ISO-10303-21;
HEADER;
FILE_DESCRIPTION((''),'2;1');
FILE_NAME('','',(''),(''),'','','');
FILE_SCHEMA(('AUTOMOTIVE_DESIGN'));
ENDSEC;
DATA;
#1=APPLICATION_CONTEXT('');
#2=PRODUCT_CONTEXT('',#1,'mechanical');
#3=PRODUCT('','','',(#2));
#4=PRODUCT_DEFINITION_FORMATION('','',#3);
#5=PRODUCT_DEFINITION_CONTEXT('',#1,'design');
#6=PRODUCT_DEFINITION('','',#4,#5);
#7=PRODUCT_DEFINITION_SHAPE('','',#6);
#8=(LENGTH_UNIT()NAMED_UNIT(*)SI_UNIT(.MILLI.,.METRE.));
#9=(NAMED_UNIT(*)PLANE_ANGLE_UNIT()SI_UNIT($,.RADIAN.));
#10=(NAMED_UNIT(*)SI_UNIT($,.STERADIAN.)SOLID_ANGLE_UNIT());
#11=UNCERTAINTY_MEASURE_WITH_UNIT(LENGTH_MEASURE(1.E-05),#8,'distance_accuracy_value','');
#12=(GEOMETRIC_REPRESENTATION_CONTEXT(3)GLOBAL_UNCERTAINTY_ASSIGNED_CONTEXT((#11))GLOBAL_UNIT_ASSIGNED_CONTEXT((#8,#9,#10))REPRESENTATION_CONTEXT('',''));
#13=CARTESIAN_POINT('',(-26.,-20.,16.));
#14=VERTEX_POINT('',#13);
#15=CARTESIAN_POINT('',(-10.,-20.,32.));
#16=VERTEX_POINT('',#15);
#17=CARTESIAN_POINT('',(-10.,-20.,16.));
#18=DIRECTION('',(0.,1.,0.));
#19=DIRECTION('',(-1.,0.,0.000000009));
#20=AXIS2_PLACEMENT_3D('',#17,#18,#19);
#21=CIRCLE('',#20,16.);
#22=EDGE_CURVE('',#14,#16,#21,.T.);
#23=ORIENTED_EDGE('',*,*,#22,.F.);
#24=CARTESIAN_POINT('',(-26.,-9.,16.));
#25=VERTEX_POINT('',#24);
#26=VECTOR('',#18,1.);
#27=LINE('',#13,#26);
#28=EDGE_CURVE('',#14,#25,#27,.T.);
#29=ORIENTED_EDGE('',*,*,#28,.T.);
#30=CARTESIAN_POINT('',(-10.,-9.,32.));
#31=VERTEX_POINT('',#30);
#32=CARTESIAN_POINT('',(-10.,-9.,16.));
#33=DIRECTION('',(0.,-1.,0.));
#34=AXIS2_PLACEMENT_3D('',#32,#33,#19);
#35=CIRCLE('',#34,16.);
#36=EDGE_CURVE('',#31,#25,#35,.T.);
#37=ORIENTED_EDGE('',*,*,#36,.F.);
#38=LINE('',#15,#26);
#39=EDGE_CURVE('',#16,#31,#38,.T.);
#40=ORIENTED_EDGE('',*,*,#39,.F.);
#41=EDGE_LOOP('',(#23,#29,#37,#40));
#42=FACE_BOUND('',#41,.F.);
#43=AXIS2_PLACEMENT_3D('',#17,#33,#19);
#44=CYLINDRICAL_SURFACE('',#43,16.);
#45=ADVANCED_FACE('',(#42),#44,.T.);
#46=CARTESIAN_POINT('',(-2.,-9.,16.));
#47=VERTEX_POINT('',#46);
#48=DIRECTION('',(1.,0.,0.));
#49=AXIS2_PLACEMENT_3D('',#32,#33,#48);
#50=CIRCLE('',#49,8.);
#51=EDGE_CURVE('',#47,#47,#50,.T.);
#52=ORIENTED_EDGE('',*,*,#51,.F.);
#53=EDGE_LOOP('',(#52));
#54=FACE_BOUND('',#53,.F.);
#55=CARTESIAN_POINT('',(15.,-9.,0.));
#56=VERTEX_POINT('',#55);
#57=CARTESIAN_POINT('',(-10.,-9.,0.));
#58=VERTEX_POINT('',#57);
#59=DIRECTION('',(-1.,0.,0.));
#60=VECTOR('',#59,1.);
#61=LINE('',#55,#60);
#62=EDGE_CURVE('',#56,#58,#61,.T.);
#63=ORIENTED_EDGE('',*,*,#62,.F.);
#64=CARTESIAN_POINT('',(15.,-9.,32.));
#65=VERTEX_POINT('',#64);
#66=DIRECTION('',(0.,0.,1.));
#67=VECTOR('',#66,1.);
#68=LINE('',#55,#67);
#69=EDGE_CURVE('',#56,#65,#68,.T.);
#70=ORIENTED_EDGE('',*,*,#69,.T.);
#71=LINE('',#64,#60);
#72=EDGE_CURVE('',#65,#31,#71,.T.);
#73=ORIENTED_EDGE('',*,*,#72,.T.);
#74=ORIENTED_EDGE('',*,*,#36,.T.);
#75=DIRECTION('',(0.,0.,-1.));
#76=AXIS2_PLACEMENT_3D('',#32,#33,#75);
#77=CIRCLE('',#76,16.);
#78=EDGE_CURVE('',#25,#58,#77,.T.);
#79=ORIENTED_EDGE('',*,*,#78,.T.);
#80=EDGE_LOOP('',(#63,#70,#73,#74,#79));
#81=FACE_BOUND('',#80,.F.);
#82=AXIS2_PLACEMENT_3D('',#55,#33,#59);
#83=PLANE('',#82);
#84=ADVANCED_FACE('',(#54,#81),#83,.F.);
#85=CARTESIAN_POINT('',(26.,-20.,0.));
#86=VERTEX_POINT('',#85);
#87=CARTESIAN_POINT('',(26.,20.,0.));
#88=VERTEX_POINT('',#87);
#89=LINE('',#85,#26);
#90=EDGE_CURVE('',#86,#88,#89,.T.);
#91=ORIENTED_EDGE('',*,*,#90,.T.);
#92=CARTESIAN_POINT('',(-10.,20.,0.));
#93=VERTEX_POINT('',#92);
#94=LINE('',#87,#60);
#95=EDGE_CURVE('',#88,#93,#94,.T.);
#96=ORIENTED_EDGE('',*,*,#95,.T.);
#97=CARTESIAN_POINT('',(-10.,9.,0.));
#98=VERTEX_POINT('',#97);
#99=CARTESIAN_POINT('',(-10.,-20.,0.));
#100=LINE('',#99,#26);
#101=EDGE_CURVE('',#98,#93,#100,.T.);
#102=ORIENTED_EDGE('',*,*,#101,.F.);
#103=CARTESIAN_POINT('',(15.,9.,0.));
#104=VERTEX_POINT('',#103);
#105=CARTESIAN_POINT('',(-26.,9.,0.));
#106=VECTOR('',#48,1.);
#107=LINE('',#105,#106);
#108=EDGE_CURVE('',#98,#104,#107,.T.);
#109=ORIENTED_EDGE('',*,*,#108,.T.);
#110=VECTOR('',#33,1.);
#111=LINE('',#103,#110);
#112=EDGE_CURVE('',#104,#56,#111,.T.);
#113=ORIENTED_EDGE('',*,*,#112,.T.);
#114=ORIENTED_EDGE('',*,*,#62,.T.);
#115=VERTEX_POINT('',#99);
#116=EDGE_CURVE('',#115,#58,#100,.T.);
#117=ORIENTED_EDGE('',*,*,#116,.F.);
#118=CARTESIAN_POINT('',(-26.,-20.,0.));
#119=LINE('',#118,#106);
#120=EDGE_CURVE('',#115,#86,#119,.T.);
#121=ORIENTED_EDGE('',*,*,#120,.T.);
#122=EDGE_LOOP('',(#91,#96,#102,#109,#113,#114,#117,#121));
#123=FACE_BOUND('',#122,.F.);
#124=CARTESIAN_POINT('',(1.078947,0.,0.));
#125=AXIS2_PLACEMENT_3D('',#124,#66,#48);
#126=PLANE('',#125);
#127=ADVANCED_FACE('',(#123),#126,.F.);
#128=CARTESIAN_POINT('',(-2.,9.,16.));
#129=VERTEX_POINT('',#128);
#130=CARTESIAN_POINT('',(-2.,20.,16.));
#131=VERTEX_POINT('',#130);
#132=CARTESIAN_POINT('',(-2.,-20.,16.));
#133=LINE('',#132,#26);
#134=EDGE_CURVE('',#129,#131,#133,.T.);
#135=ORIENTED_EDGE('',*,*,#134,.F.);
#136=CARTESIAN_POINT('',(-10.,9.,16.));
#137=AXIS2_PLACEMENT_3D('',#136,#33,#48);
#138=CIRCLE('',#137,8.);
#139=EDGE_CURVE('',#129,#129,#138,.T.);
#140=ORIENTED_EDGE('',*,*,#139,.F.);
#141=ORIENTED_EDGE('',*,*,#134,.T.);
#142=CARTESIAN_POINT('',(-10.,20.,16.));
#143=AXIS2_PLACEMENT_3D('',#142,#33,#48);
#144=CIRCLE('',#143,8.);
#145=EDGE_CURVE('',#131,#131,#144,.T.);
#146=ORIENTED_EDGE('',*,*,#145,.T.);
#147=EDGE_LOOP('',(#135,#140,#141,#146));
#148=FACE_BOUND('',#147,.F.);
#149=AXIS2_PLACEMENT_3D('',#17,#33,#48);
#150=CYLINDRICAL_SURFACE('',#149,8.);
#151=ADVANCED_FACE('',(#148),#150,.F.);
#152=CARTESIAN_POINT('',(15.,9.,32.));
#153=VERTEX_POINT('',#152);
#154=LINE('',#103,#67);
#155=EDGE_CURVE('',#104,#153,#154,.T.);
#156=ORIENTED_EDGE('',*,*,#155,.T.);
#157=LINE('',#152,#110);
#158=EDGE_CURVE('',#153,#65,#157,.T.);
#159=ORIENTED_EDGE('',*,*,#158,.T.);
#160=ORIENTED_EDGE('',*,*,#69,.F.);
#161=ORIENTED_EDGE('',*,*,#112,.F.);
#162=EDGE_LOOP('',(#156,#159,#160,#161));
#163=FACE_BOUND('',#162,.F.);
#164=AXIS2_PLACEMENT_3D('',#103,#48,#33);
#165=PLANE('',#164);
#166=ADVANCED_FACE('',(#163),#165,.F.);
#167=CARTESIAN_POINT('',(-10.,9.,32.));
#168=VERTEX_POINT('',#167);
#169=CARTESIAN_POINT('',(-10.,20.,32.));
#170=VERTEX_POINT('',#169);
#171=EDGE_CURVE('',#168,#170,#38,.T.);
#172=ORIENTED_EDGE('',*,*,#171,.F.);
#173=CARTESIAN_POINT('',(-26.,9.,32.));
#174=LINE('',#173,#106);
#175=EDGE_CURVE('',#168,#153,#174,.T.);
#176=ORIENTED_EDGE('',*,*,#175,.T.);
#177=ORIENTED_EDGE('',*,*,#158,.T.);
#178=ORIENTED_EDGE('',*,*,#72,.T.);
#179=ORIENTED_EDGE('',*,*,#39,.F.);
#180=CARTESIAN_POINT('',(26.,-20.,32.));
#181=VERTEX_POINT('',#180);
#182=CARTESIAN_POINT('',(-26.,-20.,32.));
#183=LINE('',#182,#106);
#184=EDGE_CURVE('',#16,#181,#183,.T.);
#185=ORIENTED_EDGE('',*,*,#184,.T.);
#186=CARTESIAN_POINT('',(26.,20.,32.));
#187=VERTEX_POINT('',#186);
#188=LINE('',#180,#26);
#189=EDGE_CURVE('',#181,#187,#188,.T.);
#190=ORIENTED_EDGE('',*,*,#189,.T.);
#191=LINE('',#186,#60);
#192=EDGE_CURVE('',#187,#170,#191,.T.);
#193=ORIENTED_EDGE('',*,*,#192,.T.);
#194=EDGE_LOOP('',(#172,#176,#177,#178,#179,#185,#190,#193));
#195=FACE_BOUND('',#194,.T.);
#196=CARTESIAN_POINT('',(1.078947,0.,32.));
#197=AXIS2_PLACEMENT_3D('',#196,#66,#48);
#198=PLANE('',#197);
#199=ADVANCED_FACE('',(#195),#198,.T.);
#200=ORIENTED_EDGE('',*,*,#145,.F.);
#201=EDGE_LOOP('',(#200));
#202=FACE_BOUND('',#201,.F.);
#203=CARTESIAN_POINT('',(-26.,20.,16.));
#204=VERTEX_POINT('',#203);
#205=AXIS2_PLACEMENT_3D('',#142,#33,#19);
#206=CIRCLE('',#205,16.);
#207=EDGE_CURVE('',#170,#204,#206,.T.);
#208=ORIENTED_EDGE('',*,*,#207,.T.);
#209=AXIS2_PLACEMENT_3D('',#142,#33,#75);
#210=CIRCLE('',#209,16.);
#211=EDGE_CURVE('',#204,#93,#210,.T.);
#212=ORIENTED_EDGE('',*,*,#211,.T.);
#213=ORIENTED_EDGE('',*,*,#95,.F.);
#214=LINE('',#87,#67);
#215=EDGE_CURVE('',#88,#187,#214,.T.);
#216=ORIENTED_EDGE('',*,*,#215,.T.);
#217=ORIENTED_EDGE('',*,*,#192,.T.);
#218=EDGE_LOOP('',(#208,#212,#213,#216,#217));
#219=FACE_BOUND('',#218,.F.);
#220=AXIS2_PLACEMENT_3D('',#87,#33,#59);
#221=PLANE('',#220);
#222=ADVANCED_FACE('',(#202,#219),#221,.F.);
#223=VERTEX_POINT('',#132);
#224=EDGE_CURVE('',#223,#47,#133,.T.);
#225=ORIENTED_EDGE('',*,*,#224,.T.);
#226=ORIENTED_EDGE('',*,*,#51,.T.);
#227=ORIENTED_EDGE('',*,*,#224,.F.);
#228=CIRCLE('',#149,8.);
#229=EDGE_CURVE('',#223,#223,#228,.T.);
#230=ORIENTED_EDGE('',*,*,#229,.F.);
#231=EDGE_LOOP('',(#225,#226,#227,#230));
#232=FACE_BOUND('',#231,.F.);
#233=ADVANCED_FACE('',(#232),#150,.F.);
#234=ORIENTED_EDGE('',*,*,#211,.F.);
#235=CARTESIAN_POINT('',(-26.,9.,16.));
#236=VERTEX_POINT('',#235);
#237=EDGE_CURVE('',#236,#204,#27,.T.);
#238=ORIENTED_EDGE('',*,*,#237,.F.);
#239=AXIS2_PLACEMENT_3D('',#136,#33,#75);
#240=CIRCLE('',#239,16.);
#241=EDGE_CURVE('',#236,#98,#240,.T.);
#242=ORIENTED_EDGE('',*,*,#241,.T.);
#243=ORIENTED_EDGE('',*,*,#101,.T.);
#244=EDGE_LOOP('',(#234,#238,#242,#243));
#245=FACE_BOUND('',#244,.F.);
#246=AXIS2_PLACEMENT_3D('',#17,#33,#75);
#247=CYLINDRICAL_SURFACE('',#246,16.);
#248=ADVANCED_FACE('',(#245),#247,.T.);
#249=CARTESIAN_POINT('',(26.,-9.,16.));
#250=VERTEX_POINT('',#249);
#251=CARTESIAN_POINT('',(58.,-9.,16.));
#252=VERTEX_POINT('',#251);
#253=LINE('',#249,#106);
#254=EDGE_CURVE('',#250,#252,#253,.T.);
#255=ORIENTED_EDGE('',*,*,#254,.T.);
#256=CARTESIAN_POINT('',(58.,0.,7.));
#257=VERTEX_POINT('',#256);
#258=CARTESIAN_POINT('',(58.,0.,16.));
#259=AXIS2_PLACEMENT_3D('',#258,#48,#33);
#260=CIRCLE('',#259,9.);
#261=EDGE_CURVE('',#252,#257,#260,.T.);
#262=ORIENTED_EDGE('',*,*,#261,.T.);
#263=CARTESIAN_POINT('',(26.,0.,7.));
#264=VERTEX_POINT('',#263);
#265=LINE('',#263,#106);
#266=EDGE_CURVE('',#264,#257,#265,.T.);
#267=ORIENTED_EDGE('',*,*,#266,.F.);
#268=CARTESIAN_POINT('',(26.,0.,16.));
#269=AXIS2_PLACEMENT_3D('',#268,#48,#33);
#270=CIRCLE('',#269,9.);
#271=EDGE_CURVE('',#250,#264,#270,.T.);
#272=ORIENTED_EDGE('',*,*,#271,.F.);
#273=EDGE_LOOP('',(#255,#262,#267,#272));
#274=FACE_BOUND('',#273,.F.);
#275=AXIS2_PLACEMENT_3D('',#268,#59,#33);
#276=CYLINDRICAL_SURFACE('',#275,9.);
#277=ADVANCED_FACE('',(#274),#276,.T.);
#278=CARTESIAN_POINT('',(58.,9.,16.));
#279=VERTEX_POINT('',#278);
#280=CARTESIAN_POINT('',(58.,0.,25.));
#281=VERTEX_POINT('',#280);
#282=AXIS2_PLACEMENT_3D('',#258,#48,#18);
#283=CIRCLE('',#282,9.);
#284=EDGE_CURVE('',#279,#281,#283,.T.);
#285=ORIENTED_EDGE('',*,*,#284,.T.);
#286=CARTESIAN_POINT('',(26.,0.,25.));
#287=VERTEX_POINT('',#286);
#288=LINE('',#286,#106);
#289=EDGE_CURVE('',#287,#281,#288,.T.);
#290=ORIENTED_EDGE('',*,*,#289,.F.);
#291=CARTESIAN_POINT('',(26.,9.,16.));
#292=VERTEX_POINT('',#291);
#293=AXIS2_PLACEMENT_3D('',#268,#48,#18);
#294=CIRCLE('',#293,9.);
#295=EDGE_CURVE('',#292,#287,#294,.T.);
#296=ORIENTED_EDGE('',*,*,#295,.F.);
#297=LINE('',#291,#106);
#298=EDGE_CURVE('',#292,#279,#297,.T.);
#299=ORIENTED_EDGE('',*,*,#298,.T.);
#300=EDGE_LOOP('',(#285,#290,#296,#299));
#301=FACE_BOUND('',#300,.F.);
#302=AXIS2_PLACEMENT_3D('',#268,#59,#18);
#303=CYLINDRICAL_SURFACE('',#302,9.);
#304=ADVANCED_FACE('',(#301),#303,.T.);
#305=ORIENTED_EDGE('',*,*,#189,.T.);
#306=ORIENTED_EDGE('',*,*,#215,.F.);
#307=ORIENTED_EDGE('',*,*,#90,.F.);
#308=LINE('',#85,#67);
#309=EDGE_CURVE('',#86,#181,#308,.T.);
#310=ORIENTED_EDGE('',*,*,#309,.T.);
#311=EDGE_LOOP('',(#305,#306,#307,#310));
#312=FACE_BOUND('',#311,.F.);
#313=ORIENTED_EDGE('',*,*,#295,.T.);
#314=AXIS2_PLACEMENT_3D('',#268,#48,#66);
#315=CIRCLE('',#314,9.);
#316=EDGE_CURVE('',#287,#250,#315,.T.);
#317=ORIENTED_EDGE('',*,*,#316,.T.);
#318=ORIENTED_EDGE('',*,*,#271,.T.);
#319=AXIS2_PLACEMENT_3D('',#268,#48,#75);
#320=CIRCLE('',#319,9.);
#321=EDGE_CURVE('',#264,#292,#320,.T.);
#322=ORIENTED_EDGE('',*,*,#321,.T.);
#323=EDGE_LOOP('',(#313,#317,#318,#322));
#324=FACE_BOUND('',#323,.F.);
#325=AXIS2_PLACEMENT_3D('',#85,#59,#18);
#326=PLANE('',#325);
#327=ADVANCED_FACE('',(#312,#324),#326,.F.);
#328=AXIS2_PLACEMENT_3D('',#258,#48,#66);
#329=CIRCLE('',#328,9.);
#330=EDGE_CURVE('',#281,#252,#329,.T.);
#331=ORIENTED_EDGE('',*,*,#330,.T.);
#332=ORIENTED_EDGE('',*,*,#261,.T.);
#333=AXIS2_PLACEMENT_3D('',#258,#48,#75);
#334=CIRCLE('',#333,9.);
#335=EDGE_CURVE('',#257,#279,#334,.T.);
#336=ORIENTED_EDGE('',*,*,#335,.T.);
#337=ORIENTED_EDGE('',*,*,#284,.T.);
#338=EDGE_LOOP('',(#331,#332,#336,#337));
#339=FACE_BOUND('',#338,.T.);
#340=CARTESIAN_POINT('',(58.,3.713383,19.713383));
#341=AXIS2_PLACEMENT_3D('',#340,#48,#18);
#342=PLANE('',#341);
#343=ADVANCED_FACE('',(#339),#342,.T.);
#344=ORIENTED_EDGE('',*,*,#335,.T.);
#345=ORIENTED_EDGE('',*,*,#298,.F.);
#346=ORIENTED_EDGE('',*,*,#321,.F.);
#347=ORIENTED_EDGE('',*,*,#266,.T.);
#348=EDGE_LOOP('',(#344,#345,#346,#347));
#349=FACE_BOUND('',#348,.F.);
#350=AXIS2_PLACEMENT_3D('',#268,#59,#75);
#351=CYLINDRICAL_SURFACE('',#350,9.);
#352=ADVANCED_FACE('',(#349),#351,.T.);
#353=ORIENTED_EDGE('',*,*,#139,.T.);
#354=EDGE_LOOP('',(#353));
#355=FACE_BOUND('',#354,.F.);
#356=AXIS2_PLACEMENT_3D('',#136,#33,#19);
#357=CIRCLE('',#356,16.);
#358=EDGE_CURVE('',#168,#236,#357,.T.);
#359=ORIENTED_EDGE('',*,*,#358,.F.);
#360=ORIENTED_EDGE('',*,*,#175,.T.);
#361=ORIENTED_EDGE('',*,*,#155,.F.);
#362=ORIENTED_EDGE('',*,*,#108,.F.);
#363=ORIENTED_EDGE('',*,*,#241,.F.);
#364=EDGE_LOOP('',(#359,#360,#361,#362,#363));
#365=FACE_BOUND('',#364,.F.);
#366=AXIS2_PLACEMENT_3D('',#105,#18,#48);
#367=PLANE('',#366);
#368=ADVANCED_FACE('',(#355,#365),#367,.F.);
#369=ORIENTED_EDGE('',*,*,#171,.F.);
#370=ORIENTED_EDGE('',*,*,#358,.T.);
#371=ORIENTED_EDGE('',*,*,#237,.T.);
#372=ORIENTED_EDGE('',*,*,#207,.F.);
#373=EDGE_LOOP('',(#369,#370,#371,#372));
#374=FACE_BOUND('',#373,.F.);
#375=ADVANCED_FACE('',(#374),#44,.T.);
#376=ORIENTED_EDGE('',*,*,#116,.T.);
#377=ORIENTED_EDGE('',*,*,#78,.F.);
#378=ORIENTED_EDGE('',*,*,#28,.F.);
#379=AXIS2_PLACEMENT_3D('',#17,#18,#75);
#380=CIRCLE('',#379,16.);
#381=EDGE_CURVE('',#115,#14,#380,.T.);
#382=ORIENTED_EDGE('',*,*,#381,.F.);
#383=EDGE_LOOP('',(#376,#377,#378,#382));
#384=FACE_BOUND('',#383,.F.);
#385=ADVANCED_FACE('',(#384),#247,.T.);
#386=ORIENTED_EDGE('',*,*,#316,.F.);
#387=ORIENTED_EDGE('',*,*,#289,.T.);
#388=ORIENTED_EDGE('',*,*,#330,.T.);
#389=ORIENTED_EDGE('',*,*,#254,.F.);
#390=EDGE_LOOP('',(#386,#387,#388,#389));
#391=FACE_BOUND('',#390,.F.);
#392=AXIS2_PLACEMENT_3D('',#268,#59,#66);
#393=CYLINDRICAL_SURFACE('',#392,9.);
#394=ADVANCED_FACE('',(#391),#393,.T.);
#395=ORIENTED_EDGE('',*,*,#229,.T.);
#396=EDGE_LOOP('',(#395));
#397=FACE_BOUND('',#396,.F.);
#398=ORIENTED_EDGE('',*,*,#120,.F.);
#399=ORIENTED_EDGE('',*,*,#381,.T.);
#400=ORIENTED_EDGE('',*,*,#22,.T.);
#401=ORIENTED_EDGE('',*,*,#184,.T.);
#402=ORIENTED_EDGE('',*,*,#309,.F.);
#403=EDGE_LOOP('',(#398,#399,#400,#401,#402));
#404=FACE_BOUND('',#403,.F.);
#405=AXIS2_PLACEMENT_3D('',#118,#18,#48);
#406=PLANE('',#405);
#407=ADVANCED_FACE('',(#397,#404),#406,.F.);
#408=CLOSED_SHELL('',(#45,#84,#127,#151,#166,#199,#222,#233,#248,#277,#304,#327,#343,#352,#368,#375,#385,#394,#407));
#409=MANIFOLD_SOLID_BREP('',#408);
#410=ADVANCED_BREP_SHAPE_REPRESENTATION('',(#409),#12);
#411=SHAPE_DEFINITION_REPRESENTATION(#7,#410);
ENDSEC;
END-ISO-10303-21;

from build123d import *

# Parameters (mm, degrees)
F1_DEPTH = 32
F2_R     = 8
F3_DEPTH = 99.3
F5_DEPTH = 32


with BuildPart() as f1:
    # F0 (on Top) → F1 (new body)
    with BuildSketch(Plane.XY):
        Polygon((26, 9), (26, 20), (-26, 20), (-26, 9), (15, 9), (15, -9), (-26, -9), (-26, -20), (26, -20), (26, -9), align=None)
    extrude(amount=F1_DEPTH)

    # F2 (on face) → F3 (cut)
    with BuildSketch(Plane.XZ.offset(20)):
        with BuildLine():
            ThreePointArc((-26, 16.000000143), (-21.3137084484, 27.3137085495), (-10, 32))
            Line((-10, 32), (-26, 32))
            Line((-26, 32), (-26, 16.000000143))
        make_face()
        with BuildLine():
            Line((-26, 0), (-10, 0))
            ThreePointArc((-10, 0), (-21.3137085495, 4.6862915516), (-26, 16.000000143))
            Line((-26, 16.000000143), (-26, 0))
        make_face()
        with Locations((-10, 16)):
            Circle(F2_R)
    extrude(amount=-F3_DEPTH, mode=Mode.SUBTRACT)

    # F4 (on face) → F5 (join)
    with BuildSketch(Plane.YZ.offset(26)):
        with BuildLine():
            ThreePointArc((9, 16), (6.3639610307, 22.3639610307), (0, 25))
            Line((0, 25), (0, 16))
            Line((0, 16), (9, 16))
        make_face()
        with BuildLine():
            Line((0, 16), (0, 25))
            ThreePointArc((0, 25), (-6.3639610307, 22.3639610307), (-9, 16))
            Line((-9, 16), (0, 16))
        make_face()
        with BuildLine():
            Line((9, 16), (0, 16))
            Line((0, 16), (0, 7))
            ThreePointArc((0, 7), (6.3639610307, 9.6360389693), (9, 16))
        make_face()
        with BuildLine():
            Line((0, 7), (0, 16))
            Line((0, 16), (-9, 16))
            ThreePointArc((-9, 16), (-6.3639610307, 9.6360389693), (0, 7))
        make_face()
    extrude(amount=F5_DEPTH)


solid = f1.part
